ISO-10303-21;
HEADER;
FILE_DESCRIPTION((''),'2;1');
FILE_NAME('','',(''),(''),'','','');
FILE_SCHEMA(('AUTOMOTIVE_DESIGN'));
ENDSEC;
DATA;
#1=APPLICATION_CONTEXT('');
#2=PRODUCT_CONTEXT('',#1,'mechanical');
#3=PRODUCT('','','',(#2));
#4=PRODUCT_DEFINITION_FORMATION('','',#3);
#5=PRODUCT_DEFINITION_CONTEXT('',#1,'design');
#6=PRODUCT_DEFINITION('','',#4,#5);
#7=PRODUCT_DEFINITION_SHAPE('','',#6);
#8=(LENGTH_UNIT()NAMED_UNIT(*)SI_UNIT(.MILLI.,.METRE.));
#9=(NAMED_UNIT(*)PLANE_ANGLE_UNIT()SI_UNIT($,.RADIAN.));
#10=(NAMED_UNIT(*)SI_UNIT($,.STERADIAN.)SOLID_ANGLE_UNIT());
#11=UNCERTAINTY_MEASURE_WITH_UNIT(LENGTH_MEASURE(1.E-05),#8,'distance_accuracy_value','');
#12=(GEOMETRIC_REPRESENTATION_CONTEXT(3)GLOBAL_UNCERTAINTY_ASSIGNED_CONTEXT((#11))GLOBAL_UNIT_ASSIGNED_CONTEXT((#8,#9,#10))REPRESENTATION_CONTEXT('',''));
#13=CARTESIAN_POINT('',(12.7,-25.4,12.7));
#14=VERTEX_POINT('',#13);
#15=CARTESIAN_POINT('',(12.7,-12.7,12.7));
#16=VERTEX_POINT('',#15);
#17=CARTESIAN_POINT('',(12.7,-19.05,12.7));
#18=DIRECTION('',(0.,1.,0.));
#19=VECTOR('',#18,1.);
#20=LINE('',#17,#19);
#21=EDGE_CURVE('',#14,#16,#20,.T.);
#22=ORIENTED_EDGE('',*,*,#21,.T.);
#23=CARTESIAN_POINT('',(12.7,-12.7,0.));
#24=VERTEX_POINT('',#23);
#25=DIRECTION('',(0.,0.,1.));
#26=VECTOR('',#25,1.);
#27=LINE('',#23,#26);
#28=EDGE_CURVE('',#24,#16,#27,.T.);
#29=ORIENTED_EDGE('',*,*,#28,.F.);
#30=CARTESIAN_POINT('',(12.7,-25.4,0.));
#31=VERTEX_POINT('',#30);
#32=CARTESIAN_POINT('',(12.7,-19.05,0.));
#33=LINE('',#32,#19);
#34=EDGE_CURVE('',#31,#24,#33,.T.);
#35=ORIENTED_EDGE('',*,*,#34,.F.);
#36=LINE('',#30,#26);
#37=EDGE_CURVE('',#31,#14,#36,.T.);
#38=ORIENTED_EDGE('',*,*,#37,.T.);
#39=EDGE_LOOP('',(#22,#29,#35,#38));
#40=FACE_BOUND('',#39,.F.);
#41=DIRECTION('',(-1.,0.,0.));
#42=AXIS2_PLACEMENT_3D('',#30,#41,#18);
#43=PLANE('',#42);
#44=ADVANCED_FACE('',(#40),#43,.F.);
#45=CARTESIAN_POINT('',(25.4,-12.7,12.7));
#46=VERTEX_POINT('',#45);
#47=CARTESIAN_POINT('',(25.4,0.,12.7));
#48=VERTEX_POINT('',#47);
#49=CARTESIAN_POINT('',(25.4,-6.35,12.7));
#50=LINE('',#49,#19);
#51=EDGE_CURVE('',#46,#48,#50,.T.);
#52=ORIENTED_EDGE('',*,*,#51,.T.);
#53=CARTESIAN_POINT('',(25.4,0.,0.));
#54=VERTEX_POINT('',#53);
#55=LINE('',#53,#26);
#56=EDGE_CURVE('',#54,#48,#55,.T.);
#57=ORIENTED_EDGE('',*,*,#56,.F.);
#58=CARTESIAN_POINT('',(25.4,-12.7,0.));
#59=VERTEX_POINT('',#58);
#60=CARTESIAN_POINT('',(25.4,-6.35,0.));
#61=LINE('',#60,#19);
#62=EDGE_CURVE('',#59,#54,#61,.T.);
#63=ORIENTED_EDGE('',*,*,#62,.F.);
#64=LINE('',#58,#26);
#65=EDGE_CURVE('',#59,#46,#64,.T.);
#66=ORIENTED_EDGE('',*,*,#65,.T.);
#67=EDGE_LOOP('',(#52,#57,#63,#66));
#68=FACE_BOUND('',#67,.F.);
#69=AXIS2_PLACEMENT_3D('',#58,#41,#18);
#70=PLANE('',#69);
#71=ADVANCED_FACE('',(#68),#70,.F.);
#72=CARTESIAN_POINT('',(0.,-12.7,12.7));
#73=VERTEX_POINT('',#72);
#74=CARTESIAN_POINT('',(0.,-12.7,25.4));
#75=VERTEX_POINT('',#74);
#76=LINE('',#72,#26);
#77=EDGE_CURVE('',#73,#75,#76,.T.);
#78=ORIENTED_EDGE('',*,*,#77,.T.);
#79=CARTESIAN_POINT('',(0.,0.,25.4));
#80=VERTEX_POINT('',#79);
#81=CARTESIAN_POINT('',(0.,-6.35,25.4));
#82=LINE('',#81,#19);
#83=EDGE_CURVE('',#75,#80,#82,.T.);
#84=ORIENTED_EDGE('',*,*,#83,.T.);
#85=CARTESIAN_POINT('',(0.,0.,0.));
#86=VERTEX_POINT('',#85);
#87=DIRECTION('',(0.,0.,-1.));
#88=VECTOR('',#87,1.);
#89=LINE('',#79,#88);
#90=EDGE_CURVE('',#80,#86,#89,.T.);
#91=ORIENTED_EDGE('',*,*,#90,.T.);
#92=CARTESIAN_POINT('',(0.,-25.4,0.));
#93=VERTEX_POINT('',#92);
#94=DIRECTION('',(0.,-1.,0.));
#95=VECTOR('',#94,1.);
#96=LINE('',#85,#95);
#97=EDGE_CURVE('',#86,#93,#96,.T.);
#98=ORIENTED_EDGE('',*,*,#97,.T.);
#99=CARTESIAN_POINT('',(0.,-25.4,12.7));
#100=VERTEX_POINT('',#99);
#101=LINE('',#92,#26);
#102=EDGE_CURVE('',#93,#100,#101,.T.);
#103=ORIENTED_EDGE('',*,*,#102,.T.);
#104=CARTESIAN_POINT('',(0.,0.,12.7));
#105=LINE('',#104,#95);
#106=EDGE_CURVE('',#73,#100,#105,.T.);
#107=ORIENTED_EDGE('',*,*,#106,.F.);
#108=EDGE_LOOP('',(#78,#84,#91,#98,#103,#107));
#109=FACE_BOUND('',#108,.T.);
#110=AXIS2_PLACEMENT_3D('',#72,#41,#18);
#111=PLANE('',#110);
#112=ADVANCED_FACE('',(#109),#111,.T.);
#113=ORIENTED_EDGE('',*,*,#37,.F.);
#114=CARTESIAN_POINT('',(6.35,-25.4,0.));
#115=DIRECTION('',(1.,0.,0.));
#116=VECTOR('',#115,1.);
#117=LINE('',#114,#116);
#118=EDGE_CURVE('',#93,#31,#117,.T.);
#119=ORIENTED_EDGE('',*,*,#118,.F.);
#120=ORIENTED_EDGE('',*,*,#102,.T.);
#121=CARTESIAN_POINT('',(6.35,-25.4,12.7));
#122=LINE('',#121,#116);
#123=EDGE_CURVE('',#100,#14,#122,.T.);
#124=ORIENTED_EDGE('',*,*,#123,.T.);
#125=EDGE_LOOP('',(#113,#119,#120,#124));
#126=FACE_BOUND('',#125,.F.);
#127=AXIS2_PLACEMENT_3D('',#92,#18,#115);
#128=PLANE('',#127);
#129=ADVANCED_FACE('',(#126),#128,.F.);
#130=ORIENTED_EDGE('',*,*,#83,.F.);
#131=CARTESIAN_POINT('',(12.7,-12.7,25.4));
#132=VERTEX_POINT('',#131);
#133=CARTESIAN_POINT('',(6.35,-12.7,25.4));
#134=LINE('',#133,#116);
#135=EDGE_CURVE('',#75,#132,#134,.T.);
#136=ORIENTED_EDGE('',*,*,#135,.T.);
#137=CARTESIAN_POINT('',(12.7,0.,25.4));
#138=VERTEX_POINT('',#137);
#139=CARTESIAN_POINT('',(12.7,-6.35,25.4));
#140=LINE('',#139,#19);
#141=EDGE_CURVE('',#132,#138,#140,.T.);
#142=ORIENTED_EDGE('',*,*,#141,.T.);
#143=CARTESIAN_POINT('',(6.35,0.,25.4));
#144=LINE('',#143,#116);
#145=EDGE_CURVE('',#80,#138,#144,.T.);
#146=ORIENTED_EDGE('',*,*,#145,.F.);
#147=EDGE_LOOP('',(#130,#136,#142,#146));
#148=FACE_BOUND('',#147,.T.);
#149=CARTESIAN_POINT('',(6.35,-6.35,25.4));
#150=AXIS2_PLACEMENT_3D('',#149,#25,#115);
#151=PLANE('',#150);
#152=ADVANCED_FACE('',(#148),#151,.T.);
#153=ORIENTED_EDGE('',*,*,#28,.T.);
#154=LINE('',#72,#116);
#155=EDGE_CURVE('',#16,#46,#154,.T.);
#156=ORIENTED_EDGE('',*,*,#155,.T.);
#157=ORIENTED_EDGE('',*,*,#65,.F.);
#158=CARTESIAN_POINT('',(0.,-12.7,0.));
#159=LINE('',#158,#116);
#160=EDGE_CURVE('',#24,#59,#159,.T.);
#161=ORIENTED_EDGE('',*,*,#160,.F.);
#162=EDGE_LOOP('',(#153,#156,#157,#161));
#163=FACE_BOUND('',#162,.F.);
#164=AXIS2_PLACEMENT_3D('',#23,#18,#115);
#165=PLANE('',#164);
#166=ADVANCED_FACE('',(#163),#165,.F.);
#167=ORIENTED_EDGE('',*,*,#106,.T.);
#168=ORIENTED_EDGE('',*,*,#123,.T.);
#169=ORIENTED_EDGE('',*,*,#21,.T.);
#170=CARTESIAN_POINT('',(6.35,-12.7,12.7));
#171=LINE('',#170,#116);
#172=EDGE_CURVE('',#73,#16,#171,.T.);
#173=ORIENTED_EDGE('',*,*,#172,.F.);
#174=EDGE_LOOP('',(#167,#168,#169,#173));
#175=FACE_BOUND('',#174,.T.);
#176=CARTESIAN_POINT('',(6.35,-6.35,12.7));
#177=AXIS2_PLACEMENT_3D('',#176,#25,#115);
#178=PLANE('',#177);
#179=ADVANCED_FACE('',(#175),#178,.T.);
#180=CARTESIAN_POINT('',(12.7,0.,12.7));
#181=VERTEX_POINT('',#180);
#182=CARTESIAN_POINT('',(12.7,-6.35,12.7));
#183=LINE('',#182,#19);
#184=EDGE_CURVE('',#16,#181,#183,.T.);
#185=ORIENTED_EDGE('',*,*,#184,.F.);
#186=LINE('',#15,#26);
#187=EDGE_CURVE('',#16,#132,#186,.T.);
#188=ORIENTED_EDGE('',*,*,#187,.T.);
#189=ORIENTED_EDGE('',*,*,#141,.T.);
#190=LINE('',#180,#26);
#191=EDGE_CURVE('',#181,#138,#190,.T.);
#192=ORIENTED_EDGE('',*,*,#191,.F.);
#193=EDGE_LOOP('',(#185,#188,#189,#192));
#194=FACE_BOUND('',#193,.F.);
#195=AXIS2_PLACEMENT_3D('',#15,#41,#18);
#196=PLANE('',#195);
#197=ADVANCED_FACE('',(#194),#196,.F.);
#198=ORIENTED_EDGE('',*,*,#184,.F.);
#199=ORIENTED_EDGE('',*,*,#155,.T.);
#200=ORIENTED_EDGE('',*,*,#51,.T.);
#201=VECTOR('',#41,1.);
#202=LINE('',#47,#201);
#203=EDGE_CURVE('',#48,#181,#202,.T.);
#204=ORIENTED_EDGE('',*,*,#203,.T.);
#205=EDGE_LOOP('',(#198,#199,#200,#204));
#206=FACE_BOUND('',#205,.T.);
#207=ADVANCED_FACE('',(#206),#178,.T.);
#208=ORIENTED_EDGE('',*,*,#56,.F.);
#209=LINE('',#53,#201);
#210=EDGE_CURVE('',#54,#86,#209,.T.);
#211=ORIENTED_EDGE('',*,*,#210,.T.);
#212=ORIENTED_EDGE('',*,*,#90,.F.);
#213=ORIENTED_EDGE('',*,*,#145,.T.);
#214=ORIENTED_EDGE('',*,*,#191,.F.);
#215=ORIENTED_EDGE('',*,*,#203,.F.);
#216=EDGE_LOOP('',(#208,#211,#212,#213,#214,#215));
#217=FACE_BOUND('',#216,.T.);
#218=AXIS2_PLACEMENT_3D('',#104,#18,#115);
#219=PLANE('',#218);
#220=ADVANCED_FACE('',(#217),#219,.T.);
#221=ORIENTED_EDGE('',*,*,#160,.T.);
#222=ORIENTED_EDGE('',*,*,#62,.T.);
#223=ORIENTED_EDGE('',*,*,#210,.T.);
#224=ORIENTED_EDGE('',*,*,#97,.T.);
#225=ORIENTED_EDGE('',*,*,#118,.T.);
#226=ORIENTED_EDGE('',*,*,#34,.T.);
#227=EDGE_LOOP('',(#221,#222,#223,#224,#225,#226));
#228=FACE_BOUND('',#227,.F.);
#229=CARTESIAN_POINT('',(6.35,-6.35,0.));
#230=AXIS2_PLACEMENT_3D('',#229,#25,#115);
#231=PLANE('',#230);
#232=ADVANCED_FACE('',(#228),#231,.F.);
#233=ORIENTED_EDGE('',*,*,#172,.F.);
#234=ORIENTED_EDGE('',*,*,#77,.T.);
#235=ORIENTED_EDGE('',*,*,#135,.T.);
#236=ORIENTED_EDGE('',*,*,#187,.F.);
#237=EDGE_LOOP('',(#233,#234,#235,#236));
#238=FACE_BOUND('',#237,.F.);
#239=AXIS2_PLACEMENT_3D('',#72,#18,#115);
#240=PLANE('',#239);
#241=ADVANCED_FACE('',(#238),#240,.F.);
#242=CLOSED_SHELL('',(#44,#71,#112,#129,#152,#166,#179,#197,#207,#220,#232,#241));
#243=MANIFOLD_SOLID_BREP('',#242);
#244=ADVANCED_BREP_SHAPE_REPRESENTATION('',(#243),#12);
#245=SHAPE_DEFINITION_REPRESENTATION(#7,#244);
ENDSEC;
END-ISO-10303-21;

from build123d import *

# Parameters (mm, degrees)
F0_W     = 12.7
F0_H     = 12.7
F1_DEPTH = 12.7
F2_W     = 12.7
F2_H     = 12.7
F3_DEPTH = 12.7


with BuildPart() as f1:
    # F0 (on Top) → F1 (new body)
    with BuildSketch(Plane.XY):
        with Locations((6.35, -6.35)):
            Rectangle(F0_W, F0_H)
        with Locations((19.05, -6.35)):
            Rectangle(F0_W, F0_H)
        with Locations((6.35, -19.05)):
            Rectangle(F0_W, F0_H)
    extrude(amount=F1_DEPTH)

    # F2 (on face) → F3 (join)
    with BuildSketch(Plane.XY.offset(12.7)):
        with Locations((6.35, -6.35)):
            Rectangle(F2_W, F2_H)
    extrude(amount=F3_DEPTH)


solid = f1.part
